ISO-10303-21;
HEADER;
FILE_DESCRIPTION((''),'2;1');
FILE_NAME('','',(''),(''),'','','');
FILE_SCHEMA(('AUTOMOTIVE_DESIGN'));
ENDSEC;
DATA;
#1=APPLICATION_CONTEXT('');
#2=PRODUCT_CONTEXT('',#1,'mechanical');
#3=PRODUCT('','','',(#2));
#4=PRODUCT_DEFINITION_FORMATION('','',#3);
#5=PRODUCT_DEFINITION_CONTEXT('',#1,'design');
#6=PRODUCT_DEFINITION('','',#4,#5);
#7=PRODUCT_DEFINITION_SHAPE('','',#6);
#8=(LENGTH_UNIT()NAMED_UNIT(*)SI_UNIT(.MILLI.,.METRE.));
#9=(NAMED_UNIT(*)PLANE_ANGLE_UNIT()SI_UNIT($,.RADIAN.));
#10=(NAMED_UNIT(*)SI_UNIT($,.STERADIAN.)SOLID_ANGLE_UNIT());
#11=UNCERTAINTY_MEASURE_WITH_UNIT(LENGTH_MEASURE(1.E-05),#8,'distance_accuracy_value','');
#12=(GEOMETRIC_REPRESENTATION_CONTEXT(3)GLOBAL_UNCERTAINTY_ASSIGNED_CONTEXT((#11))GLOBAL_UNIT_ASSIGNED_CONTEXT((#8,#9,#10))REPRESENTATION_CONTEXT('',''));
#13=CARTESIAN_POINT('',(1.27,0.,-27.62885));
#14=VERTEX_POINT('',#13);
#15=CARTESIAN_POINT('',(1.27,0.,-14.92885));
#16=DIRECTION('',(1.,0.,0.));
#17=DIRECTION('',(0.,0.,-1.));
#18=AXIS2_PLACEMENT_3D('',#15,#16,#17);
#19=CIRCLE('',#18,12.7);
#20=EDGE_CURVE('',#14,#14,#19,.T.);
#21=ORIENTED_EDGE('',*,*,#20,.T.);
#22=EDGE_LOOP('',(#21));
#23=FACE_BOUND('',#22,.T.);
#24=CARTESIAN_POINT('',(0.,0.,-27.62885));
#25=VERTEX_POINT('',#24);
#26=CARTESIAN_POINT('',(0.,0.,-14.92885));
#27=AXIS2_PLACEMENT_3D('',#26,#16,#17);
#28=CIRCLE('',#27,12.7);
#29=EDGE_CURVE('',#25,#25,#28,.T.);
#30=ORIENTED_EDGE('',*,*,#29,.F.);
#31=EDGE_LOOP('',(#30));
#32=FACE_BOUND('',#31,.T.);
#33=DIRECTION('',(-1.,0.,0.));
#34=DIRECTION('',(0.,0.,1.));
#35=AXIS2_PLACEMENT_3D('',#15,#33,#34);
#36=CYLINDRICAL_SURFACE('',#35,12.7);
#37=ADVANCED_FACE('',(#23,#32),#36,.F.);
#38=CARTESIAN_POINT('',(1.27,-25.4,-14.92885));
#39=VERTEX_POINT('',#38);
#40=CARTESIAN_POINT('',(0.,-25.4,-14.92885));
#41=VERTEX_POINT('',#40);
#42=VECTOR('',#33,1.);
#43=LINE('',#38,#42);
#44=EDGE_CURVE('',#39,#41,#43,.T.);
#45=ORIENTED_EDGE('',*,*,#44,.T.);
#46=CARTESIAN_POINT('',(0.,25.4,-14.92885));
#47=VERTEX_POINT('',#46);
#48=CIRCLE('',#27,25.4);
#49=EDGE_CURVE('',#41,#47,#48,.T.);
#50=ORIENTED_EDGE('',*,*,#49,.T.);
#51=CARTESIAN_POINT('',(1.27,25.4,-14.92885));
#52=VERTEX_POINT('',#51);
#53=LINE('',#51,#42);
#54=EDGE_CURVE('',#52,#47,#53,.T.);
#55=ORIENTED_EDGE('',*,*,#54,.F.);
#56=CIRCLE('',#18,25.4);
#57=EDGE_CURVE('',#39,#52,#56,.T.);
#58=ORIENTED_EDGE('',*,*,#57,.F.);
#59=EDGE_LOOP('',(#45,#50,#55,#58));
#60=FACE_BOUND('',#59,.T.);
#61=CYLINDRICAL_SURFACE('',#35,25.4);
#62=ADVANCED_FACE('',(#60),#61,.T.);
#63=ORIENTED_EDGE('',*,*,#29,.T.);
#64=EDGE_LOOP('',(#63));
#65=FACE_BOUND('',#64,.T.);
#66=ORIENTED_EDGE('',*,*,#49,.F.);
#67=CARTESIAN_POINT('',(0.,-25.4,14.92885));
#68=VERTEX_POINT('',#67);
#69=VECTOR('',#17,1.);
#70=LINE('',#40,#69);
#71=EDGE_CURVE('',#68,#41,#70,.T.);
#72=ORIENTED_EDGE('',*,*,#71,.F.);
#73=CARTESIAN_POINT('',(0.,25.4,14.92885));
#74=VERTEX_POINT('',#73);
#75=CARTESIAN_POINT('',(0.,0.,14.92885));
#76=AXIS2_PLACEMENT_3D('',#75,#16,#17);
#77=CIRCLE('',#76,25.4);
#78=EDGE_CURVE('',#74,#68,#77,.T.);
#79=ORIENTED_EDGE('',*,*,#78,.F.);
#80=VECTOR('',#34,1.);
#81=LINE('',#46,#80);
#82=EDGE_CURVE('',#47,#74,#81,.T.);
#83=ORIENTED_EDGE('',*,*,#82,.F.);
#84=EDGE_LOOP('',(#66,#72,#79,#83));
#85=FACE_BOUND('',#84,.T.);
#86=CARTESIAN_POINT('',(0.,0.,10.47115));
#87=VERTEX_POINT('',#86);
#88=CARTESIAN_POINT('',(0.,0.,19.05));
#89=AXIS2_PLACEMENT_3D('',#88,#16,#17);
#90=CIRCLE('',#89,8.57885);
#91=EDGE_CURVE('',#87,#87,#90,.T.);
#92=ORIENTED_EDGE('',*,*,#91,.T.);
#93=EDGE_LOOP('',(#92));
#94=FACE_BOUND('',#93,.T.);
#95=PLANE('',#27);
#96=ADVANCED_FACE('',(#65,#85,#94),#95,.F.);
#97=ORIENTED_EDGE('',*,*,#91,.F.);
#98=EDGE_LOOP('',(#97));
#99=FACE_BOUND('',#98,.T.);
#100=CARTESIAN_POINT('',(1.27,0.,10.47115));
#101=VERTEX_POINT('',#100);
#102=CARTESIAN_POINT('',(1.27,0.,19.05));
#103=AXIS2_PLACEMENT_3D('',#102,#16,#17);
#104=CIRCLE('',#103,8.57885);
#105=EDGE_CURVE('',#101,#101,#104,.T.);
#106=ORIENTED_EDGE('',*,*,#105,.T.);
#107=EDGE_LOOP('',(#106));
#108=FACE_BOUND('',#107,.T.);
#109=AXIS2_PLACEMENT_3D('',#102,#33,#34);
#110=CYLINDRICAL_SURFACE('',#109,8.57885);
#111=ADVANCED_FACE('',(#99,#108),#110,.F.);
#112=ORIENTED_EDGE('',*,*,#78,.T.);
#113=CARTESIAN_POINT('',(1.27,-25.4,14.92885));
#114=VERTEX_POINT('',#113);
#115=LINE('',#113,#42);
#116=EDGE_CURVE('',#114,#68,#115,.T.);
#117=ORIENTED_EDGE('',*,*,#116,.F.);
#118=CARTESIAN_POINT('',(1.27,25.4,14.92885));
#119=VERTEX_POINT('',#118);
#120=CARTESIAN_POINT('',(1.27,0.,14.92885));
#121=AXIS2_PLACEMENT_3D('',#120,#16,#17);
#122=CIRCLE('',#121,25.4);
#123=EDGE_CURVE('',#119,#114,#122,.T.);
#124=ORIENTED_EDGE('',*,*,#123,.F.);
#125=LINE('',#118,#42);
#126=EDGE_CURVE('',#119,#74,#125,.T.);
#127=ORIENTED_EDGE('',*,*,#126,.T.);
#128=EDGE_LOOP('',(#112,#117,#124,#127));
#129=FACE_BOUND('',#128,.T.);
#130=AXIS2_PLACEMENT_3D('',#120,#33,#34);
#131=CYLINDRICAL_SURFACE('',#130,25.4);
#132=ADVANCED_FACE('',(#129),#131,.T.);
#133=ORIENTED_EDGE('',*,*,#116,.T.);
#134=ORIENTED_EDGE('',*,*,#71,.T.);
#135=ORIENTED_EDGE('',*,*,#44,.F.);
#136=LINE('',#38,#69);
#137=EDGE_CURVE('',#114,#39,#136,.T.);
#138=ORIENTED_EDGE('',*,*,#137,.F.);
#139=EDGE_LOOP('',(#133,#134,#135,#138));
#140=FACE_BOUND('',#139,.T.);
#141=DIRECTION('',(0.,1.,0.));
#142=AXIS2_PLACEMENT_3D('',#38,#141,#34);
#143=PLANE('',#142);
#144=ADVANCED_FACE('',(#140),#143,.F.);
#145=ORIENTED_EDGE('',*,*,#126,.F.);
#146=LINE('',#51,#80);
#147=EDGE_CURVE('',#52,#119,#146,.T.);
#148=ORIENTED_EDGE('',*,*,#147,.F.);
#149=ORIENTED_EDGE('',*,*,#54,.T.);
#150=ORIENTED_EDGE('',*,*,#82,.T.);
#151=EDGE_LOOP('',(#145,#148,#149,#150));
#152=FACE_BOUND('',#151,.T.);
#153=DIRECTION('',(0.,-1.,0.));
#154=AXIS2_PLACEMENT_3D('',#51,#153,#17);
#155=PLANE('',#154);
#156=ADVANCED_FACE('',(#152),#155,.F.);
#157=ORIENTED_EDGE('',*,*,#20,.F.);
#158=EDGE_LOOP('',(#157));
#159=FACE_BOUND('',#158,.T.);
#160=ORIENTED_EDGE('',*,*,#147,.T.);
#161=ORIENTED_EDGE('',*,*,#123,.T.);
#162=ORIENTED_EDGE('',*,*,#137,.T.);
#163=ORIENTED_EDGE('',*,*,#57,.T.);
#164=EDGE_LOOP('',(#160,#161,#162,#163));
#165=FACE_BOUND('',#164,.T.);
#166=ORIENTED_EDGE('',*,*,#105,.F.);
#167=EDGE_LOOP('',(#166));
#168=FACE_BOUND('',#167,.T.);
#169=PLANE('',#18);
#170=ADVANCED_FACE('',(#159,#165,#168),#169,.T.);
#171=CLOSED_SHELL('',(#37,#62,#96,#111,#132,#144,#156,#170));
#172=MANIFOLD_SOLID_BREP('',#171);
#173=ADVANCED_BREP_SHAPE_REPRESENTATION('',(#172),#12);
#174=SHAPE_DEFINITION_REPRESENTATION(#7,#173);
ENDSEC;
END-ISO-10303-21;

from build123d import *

# Parameters (mm, degrees)
SKETCH1_R           = 8.57885
SKETCH1_R_2         = 12.7
BOSS_EXTRUDE1_DEPTH = 1.27


with BuildPart() as part:
    # Sketch1 → Boss-Extrude1 (new body)
    with BuildSketch(Plane.YZ):
        with BuildLine():
            Line((-25.399999937, -14.928849968), (-25.399999937, 14.928849968))
            ThreePointArc((-25.399999937, 14.928849968), (0, 40.328849905), (25.399999936, 14.928849968))
            Line((25.399999936, 14.928849968), (25.399999937, -14.928849968))
            ThreePointArc((25.399999937, -14.928849968), (0, -40.328849905), (-25.399999937, -14.928849968))
        make_face()
        with Locations(Location((0, 19.049999968, 0), (0, 0, 270))):
            Circle(SKETCH1_R, mode=Mode.SUBTRACT)
        with Locations(Location((0, -14.928849968, 0), (0, 0, 270))):
            Circle(SKETCH1_R_2, mode=Mode.SUBTRACT)
    extrude(amount=BOSS_EXTRUDE1_DEPTH)


solid = part.part
